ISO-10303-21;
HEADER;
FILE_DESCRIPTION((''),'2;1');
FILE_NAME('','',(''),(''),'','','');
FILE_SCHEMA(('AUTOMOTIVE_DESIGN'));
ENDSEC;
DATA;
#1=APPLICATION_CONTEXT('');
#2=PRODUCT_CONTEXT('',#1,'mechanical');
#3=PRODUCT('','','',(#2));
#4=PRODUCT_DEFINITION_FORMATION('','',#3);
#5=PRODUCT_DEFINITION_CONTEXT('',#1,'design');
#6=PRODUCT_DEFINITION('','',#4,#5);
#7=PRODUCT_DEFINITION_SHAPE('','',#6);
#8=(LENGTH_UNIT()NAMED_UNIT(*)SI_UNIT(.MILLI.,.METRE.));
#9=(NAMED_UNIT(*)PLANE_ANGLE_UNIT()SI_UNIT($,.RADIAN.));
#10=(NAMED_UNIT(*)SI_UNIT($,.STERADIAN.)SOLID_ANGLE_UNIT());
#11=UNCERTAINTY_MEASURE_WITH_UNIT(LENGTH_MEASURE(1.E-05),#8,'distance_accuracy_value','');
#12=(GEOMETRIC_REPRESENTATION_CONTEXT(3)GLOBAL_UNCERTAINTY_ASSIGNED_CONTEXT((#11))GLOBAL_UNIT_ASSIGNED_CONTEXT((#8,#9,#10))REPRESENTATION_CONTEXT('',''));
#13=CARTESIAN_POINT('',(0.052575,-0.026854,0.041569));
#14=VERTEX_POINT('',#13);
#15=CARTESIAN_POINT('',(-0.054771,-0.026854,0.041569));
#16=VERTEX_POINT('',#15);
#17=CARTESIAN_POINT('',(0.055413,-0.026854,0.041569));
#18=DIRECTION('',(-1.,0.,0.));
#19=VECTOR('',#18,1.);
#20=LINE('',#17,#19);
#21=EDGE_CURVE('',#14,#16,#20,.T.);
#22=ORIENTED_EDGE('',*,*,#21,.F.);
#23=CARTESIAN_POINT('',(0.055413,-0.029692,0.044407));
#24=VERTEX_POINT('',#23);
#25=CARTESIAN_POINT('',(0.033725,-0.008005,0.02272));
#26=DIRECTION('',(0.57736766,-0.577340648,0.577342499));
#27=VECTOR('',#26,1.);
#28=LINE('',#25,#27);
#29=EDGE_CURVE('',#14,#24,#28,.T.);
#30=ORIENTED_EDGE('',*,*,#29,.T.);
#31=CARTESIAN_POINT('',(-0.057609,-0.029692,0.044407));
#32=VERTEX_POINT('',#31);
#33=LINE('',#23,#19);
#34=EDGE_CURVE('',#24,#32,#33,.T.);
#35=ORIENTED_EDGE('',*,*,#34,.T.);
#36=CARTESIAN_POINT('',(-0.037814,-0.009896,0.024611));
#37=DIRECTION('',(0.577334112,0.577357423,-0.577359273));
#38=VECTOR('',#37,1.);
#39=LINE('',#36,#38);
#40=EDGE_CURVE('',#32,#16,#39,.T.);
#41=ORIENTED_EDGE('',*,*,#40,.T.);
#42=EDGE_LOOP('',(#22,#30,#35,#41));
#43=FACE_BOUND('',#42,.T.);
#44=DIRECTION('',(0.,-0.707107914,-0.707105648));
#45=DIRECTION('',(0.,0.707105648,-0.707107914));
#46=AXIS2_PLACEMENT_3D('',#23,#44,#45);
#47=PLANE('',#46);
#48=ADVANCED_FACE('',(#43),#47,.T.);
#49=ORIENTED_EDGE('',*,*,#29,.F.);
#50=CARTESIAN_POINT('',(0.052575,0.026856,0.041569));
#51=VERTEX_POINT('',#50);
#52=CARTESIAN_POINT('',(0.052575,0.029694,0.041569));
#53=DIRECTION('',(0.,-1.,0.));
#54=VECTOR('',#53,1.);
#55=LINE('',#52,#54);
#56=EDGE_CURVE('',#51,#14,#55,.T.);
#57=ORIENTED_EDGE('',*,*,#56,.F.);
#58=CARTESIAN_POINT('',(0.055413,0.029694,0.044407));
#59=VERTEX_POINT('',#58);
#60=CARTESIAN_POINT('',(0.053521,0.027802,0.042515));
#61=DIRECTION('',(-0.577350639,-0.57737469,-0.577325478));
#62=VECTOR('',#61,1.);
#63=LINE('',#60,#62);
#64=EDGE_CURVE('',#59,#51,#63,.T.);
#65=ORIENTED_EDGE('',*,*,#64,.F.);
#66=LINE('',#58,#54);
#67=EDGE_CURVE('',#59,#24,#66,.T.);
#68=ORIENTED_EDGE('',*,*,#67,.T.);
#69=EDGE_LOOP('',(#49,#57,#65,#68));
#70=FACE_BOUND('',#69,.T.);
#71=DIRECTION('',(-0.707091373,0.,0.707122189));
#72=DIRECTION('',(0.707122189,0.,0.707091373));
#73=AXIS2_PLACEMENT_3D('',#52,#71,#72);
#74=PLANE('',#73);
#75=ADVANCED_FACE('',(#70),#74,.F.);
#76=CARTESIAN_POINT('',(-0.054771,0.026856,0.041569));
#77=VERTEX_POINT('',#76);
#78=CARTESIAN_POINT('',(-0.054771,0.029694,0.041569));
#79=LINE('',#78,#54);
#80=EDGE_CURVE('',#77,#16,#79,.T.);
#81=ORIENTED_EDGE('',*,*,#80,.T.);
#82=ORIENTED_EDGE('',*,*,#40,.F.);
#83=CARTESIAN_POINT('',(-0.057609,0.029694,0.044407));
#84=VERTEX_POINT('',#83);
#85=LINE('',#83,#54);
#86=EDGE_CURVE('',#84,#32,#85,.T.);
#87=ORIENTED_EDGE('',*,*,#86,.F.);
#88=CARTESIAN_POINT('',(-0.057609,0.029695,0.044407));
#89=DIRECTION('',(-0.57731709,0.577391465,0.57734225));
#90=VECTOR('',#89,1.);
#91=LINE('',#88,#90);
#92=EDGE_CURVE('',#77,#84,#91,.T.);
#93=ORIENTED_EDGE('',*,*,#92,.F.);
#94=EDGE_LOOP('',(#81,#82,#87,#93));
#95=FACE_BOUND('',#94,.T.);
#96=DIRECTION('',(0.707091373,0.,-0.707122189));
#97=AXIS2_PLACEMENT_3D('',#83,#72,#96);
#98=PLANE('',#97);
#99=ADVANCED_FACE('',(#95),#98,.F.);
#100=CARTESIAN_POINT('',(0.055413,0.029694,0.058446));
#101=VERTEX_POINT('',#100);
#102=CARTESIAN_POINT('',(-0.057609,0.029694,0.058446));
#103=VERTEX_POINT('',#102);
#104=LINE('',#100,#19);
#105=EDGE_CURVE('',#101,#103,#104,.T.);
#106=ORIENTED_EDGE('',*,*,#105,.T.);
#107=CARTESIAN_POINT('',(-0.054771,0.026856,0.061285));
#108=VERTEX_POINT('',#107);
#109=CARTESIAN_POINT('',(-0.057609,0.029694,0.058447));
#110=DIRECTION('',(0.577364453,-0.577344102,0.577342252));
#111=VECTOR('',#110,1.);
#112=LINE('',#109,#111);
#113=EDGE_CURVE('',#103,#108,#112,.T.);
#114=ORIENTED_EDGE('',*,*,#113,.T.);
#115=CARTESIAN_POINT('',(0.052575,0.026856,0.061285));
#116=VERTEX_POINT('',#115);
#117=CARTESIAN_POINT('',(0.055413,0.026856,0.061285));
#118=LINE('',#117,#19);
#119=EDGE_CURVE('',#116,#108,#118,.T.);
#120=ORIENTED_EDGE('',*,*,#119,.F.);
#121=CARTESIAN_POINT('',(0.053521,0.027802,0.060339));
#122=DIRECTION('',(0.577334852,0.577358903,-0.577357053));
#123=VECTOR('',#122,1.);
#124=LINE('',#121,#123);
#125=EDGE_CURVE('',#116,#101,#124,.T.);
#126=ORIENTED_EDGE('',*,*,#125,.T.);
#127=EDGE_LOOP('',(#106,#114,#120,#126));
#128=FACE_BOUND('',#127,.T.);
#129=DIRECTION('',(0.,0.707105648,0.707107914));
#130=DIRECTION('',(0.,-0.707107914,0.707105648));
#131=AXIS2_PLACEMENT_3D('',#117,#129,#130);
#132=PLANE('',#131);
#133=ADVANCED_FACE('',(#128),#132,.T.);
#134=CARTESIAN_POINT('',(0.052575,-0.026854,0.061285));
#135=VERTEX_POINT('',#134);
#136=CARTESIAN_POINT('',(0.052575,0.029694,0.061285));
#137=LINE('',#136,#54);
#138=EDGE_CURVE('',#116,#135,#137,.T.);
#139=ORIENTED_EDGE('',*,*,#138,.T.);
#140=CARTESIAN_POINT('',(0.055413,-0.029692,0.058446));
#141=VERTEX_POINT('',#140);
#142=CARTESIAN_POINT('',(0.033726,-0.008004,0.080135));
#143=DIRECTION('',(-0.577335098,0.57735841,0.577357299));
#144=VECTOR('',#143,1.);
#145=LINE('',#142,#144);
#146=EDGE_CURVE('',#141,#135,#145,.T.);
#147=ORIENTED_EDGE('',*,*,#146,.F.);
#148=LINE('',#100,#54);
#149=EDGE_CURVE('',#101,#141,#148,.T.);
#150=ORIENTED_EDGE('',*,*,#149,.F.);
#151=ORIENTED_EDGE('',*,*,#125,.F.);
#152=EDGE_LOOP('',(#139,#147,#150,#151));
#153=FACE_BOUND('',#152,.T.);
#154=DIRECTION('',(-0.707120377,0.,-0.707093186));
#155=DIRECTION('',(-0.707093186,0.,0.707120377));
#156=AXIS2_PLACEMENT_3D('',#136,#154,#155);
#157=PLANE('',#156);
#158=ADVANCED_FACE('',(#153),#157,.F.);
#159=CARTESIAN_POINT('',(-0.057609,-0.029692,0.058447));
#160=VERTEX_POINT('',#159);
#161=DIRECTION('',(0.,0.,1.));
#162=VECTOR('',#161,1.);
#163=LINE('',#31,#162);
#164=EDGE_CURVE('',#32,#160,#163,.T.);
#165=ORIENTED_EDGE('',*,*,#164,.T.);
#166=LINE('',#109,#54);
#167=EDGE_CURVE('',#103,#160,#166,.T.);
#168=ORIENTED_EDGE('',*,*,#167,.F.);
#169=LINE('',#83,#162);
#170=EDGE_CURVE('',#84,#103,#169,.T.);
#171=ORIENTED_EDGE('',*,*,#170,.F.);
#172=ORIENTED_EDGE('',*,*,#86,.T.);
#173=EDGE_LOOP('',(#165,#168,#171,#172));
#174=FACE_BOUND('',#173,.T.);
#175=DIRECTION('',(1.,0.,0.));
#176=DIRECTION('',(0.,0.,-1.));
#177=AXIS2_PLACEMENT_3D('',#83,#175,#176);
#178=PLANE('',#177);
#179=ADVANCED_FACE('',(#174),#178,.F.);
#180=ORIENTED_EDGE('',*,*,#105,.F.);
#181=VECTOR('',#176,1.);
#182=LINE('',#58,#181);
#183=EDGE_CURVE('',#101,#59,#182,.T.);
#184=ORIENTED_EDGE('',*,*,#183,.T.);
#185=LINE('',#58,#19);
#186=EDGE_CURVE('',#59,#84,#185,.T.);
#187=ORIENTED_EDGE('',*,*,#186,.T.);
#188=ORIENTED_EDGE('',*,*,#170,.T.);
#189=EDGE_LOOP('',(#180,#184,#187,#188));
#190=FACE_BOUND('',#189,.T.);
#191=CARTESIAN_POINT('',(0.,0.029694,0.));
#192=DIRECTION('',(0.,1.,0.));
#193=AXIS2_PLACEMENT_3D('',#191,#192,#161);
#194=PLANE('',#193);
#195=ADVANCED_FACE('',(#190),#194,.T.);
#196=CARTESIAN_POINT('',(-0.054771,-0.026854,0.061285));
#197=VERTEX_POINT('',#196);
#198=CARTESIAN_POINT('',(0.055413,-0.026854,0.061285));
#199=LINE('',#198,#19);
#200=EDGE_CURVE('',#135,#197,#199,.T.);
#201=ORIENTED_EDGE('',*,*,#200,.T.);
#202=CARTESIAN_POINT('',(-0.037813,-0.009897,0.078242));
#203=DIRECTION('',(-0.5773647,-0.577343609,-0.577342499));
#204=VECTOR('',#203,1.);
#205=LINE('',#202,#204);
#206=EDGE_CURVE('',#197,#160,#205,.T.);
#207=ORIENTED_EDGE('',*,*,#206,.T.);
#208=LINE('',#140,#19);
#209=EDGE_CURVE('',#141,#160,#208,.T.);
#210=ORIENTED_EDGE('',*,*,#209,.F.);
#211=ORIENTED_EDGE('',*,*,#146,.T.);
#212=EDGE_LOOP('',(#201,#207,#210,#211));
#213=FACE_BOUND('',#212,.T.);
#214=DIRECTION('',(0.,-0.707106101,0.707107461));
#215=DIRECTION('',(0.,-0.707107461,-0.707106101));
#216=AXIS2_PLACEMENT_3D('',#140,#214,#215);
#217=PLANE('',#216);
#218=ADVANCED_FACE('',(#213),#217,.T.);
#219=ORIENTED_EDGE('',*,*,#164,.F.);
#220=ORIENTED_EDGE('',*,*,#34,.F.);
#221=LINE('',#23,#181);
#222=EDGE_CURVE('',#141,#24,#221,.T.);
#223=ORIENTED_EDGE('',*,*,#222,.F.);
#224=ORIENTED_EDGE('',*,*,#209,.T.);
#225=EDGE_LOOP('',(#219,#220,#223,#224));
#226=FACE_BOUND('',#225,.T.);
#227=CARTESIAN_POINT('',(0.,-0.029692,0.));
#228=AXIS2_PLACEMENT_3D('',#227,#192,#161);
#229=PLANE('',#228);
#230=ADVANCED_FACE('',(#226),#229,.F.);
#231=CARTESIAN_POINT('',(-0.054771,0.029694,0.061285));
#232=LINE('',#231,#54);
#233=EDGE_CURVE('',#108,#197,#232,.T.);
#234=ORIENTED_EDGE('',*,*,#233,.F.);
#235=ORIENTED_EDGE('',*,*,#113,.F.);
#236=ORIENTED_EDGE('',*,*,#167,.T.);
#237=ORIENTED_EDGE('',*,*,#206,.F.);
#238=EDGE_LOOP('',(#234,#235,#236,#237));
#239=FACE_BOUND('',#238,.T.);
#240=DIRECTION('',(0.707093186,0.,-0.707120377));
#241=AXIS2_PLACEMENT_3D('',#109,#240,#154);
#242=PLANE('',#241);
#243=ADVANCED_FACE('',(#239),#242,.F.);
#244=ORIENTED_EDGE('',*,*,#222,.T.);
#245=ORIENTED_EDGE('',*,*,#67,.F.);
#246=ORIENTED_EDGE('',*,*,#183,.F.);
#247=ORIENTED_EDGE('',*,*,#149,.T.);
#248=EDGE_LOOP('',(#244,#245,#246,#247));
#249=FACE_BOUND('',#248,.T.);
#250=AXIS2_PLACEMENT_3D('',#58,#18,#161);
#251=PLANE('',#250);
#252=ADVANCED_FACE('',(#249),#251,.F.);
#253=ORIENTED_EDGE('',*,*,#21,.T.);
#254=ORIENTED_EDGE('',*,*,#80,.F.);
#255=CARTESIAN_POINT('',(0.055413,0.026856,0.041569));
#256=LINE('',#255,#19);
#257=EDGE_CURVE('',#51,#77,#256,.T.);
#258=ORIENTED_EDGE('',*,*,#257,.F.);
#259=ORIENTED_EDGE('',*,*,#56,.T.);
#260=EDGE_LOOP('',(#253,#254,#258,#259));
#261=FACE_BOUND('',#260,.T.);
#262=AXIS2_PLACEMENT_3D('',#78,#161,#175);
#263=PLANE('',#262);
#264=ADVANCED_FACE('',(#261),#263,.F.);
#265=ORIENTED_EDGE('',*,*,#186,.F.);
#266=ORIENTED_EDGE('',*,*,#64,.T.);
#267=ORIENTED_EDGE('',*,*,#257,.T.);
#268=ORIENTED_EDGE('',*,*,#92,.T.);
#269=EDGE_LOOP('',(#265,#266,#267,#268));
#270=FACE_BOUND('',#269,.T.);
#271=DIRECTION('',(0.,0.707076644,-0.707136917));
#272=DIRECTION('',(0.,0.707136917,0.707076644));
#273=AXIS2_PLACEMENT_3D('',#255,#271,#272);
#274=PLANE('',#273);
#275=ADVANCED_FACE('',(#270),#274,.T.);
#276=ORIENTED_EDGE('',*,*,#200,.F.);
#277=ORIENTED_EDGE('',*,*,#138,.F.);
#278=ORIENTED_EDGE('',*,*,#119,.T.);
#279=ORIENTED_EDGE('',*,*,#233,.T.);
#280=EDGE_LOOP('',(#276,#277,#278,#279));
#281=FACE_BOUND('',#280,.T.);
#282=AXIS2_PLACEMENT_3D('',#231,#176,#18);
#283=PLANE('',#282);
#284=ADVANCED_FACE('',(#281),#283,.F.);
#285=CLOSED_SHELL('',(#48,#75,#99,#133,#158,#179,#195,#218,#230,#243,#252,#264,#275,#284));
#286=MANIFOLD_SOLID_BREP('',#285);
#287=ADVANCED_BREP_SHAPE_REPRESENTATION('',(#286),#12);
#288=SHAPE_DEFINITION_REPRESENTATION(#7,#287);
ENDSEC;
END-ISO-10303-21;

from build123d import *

# Parameters (mm, degrees)
BOSS_EXTRUDE2_DEPTH = 0.059386
CUT_EXTRUDE2_DEPTH  = 1.131952574


with BuildPart() as part:
    # Sketch6 → Boss-Extrude2 (new body)
    with BuildSketch(Plane(origin=(0, -0.029692013, 0), x_dir=(1, 0, 0), z_dir=(0, 1, 0))):
        Polygon((-0.05760873, -0.044406825), (-0.054770597, -0.041568568), (0.052574986, -0.041568568), (0.055413118, -0.044406577), (0.055413118, -0.058446429), (0.052574986, -0.061284671), (-0.054770597, -0.061284671), (-0.05760873, -0.058446647), align=None)
    extrude(amount=BOSS_EXTRUDE2_DEPTH)

    # Sketch10 → Cut-Extrude2 (cut, through all)
    with BuildSketch(Plane(origin=(-0.05760873, 0, 0), x_dir=(0, 0, -1), z_dir=(1, 0, 0))):
        Polygon((-0.061284671, 0.02685612), (-0.058446429, 0.029694371), (-0.061284671, 0.029694371), align=None)
        Polygon((-0.041568568, 0.02685612), (-0.044406577, 0.029694371), (-0.041568568, 0.029694371), align=None)
        Polygon((-0.058446429, -0.029692013), (-0.061284671, -0.026853766), (-0.061284671, -0.029692013), align=None)
        Polygon((-0.044406825, -0.029692013), (-0.041568568, -0.026853766), (-0.041568568, -0.029692013), align=None)
    extrude(amount=CUT_EXTRUDE2_DEPTH, mode=Mode.SUBTRACT)


solid = part.part
